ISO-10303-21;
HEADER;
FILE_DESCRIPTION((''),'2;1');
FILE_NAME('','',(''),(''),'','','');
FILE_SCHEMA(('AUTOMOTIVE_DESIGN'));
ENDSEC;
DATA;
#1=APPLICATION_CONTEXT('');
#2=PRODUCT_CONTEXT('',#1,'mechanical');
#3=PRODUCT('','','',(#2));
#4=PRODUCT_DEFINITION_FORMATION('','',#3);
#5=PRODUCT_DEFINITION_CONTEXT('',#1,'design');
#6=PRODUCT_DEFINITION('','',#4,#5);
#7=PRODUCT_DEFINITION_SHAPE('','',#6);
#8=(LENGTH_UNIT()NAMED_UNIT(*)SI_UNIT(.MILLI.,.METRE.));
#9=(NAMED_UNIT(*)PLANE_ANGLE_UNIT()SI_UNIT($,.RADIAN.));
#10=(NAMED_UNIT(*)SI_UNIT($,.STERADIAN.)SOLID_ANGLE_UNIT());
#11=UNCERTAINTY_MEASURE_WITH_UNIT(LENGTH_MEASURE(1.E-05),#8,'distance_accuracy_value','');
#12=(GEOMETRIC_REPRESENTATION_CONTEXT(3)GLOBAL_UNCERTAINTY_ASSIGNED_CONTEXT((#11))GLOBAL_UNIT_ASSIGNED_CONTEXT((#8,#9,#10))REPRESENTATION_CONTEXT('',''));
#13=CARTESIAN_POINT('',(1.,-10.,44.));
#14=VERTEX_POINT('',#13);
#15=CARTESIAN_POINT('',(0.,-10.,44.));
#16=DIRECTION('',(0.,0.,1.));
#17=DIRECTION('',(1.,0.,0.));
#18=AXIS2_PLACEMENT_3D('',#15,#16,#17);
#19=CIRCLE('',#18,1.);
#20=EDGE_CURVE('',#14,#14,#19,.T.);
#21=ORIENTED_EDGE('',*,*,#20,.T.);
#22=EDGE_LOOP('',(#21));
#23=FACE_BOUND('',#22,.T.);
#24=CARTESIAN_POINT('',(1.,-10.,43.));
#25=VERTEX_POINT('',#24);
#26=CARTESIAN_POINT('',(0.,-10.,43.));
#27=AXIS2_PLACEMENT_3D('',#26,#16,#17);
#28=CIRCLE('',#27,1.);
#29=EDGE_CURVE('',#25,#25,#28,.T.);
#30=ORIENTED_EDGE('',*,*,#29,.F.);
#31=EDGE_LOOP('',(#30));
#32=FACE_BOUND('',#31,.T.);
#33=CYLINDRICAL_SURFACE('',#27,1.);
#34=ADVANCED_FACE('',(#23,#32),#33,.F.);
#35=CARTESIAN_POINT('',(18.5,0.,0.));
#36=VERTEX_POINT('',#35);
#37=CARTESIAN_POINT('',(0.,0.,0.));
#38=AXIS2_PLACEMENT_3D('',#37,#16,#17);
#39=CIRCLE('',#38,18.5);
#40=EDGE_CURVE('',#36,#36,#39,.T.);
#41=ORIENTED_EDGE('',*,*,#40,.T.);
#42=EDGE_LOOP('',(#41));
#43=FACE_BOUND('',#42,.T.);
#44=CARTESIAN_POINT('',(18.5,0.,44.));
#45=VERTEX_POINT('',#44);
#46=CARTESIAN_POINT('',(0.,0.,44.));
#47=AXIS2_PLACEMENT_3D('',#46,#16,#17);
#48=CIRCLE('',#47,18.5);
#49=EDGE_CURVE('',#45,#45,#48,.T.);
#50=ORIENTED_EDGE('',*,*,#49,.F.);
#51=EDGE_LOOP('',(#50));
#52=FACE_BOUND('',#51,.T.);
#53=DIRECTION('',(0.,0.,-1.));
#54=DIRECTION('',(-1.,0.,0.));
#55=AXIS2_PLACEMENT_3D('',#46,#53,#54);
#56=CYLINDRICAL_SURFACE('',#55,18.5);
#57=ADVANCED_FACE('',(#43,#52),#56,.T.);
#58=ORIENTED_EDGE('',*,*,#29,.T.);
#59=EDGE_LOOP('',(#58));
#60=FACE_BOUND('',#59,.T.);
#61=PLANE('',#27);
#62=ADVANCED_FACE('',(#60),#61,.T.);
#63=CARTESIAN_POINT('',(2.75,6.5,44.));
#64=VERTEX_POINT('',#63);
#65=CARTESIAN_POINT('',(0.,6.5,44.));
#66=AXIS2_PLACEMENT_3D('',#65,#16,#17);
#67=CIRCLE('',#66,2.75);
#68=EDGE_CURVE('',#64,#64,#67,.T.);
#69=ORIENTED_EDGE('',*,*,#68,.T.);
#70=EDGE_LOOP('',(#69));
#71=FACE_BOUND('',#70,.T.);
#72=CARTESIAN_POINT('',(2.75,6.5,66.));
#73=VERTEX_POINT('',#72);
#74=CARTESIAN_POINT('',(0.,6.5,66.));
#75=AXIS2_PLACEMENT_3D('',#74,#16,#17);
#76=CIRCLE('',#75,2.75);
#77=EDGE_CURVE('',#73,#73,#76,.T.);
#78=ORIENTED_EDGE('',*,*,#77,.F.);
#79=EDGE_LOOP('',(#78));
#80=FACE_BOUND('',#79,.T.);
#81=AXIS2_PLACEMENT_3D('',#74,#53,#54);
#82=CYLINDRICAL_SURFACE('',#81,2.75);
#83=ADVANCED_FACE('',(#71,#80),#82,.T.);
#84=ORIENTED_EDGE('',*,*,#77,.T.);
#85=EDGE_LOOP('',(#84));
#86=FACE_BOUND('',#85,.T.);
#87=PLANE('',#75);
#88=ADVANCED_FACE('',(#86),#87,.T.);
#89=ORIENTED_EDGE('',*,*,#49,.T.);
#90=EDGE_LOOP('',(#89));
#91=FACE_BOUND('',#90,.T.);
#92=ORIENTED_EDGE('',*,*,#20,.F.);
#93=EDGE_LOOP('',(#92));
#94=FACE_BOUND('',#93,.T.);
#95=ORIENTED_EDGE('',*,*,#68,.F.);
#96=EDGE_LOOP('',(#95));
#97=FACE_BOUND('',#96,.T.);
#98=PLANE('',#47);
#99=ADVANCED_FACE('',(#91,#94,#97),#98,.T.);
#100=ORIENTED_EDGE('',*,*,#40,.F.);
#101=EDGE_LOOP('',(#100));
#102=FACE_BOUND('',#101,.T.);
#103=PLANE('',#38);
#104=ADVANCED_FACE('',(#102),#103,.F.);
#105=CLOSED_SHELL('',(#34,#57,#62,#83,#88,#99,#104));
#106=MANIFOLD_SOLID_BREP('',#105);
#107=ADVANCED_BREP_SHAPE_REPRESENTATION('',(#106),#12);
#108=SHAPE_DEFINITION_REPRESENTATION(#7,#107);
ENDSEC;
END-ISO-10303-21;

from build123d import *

# Parameters (mm, degrees)
SKETCH_1_R          = 18.5
EXTRUDE_1_DEPTH     = 44
SKETCH_2_R          = 2.75
EXTRUDE_2_DEPTH     = 22
SKETCH_3_R          = 1
CUT_EXTRUDE_1_DEPTH = 1


with BuildPart() as part:
    # 草图1 → 凸台-拉伸1 (new body)
    with BuildSketch(Plane.XY):
        Circle(SKETCH_1_R)
    extrude(amount=EXTRUDE_1_DEPTH)

    # 草图2 → 凸台-拉伸2 (add)
    with BuildSketch(Plane.XY.offset(44)):
        with Locations((0, 6.5)):
            Circle(SKETCH_2_R)
    extrude(amount=EXTRUDE_2_DEPTH)

    # 草图3 → 切除-拉伸1 (cut)
    with BuildSketch(Plane.XY.offset(44)):
        with Locations((0, -10)):
            Circle(SKETCH_3_R)
    extrude(amount=-CUT_EXTRUDE_1_DEPTH, mode=Mode.SUBTRACT)


solid = part.part
